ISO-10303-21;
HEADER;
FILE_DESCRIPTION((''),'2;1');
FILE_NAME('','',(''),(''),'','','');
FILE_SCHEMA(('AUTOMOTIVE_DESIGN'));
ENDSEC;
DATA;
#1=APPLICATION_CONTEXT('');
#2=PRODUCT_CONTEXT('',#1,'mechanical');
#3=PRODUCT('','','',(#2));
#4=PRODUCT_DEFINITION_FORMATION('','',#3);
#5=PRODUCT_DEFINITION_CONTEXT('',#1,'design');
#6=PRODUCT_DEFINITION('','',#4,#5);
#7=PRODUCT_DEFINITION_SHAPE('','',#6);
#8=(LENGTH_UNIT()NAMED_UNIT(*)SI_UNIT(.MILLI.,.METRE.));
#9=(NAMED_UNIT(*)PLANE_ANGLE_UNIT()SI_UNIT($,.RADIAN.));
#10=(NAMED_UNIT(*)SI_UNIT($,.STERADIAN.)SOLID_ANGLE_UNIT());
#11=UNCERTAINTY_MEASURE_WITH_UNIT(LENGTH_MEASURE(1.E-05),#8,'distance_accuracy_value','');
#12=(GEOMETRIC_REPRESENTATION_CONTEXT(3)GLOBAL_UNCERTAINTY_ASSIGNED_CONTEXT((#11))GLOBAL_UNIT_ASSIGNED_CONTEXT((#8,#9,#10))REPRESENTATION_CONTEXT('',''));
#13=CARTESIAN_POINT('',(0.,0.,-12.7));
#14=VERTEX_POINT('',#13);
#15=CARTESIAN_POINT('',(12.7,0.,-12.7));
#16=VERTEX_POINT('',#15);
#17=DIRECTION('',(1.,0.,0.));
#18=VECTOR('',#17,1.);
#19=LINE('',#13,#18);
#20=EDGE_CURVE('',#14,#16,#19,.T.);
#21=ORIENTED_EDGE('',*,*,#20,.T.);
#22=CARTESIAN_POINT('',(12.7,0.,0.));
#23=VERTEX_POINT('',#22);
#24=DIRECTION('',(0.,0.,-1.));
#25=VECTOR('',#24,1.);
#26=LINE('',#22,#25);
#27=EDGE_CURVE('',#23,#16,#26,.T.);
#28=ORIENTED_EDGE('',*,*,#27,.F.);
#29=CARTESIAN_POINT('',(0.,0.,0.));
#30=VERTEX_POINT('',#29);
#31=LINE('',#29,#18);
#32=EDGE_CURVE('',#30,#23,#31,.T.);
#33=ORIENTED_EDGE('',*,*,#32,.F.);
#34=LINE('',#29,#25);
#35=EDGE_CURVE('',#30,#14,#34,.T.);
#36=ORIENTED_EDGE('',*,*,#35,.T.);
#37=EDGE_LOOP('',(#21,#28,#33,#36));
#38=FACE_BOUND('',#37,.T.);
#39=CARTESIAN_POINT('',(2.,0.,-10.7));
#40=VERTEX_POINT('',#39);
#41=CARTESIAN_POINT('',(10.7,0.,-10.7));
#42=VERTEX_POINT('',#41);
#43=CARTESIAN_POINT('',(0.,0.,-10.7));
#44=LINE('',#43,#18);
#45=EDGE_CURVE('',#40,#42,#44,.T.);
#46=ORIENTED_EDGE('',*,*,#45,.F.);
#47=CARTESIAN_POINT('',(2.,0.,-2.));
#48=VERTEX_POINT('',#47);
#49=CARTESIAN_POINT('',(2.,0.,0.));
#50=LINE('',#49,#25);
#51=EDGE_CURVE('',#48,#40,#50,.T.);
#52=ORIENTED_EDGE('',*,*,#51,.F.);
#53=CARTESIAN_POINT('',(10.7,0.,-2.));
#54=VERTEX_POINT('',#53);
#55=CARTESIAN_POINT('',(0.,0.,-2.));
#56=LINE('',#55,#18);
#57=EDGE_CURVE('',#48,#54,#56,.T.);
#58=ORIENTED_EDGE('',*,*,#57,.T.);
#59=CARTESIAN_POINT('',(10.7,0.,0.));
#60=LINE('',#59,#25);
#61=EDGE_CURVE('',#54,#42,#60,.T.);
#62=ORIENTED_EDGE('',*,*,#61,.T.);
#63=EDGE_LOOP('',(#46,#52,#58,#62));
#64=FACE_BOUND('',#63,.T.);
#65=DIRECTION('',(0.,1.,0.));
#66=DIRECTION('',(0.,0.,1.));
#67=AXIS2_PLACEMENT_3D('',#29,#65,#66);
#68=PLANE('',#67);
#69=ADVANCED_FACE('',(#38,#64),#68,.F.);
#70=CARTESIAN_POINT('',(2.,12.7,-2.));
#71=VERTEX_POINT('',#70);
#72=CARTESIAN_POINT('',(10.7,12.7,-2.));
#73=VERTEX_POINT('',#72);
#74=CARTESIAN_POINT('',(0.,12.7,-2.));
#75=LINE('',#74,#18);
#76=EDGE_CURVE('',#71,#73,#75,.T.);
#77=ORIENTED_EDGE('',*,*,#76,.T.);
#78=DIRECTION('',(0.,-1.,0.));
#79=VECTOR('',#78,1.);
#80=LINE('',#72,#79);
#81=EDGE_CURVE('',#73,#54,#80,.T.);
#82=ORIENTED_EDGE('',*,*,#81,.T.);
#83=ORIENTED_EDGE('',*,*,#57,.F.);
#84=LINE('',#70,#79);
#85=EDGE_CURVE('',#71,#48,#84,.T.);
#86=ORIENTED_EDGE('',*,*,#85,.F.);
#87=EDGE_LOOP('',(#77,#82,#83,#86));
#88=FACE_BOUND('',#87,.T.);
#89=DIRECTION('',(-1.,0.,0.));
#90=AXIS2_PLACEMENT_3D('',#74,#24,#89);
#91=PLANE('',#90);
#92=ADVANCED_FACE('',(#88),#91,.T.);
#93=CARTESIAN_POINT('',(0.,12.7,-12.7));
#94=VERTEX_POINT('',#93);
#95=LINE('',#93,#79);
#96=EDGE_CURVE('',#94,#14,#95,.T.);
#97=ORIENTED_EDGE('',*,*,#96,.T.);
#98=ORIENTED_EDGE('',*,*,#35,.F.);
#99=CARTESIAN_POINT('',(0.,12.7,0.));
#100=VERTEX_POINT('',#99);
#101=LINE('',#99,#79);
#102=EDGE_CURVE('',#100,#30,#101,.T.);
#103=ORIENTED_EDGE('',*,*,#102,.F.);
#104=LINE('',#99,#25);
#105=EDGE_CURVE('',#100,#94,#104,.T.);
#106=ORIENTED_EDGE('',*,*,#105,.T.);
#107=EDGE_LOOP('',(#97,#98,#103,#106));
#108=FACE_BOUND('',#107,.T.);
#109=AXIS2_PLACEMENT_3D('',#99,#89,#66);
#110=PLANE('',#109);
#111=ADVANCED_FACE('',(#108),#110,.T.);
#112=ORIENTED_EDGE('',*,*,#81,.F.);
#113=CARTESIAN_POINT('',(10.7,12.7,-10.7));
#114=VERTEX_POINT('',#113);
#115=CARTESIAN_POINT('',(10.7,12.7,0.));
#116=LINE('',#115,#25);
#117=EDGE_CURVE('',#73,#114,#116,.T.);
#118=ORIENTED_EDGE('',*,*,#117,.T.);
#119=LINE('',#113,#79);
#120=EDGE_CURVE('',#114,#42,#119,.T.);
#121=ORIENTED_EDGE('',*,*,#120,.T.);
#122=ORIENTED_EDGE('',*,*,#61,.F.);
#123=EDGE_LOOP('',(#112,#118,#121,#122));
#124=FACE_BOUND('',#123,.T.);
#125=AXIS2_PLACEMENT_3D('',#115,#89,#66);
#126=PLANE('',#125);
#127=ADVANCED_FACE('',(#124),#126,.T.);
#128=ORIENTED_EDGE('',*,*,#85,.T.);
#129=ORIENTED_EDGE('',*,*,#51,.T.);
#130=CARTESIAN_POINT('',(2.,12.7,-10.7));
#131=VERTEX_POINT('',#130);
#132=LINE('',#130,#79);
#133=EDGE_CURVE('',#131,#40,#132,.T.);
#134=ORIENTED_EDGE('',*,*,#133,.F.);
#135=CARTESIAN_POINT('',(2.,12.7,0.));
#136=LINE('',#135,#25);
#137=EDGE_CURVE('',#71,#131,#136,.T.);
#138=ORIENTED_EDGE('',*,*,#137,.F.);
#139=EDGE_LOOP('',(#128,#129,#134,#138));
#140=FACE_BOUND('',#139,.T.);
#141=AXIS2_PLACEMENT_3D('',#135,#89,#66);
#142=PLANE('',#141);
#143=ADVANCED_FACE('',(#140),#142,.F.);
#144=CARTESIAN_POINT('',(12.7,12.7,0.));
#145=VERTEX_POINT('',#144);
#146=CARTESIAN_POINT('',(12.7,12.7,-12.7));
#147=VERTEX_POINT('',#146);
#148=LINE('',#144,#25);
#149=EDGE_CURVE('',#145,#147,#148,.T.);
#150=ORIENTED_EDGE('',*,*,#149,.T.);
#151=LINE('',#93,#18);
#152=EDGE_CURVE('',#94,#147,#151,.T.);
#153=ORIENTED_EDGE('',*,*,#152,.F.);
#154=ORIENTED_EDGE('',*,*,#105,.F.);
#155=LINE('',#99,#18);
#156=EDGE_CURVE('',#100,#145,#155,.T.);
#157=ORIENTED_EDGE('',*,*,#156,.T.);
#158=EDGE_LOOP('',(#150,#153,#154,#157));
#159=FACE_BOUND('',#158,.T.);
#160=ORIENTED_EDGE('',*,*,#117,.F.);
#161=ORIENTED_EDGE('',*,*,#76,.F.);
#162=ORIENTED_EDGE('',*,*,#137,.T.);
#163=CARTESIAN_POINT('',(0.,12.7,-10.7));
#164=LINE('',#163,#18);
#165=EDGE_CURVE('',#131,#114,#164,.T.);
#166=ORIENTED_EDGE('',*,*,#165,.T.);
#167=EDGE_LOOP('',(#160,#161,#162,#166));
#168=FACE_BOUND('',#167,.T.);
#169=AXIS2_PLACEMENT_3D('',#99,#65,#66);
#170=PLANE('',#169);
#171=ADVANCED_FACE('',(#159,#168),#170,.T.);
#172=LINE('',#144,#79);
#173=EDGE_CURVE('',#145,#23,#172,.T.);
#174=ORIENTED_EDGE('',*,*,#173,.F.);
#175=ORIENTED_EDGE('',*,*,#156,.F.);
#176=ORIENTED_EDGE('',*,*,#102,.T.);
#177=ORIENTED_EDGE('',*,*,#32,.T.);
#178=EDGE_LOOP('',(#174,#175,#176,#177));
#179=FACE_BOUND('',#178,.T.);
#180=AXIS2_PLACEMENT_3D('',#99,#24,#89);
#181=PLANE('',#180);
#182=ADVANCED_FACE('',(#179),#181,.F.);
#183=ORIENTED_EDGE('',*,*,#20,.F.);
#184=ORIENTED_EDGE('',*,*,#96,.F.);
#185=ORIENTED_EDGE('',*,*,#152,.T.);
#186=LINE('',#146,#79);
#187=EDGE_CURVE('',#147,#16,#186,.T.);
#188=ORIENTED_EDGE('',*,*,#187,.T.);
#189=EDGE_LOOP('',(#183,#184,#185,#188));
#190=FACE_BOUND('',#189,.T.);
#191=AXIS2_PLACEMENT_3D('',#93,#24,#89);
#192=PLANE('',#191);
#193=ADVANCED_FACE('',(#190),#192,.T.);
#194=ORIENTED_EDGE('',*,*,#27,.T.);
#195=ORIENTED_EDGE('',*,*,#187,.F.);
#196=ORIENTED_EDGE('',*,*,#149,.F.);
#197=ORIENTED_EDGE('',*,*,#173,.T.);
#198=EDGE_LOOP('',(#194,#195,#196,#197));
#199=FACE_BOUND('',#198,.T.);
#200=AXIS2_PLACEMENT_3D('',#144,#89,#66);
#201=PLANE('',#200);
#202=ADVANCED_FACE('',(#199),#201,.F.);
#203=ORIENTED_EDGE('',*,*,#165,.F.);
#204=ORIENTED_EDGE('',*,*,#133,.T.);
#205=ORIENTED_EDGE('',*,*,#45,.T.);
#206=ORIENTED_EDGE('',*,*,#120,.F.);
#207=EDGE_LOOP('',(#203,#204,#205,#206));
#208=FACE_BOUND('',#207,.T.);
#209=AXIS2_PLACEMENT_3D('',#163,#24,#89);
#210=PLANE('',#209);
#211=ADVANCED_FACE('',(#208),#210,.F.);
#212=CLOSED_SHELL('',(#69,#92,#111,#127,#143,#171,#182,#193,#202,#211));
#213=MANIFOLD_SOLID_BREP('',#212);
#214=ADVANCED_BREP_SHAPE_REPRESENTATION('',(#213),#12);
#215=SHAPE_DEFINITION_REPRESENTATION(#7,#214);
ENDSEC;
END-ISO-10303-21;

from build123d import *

# Parameters (mm, degrees)
SKETCH1_W           = 12.7
SKETCH1_H           = 12.7
SKETCH1_W_2         = 8.7
SKETCH1_H_2         = 8.7
BOSS_EXTRUDE1_DEPTH = 12.7


with BuildPart() as part:
    # Sketch1 → Boss-Extrude1 (new body)
    with BuildSketch(Plane(origin=(0, 0, 0), x_dir=(1, 0, 0), z_dir=(0, 1, 0))):
        with Locations((6.35, 6.35)):
            Rectangle(SKETCH1_W, SKETCH1_H)
        with Locations((6.35, 6.35)):
            Rectangle(SKETCH1_W_2, SKETCH1_H_2, mode=Mode.SUBTRACT)
    extrude(amount=BOSS_EXTRUDE1_DEPTH)


solid = part.part
